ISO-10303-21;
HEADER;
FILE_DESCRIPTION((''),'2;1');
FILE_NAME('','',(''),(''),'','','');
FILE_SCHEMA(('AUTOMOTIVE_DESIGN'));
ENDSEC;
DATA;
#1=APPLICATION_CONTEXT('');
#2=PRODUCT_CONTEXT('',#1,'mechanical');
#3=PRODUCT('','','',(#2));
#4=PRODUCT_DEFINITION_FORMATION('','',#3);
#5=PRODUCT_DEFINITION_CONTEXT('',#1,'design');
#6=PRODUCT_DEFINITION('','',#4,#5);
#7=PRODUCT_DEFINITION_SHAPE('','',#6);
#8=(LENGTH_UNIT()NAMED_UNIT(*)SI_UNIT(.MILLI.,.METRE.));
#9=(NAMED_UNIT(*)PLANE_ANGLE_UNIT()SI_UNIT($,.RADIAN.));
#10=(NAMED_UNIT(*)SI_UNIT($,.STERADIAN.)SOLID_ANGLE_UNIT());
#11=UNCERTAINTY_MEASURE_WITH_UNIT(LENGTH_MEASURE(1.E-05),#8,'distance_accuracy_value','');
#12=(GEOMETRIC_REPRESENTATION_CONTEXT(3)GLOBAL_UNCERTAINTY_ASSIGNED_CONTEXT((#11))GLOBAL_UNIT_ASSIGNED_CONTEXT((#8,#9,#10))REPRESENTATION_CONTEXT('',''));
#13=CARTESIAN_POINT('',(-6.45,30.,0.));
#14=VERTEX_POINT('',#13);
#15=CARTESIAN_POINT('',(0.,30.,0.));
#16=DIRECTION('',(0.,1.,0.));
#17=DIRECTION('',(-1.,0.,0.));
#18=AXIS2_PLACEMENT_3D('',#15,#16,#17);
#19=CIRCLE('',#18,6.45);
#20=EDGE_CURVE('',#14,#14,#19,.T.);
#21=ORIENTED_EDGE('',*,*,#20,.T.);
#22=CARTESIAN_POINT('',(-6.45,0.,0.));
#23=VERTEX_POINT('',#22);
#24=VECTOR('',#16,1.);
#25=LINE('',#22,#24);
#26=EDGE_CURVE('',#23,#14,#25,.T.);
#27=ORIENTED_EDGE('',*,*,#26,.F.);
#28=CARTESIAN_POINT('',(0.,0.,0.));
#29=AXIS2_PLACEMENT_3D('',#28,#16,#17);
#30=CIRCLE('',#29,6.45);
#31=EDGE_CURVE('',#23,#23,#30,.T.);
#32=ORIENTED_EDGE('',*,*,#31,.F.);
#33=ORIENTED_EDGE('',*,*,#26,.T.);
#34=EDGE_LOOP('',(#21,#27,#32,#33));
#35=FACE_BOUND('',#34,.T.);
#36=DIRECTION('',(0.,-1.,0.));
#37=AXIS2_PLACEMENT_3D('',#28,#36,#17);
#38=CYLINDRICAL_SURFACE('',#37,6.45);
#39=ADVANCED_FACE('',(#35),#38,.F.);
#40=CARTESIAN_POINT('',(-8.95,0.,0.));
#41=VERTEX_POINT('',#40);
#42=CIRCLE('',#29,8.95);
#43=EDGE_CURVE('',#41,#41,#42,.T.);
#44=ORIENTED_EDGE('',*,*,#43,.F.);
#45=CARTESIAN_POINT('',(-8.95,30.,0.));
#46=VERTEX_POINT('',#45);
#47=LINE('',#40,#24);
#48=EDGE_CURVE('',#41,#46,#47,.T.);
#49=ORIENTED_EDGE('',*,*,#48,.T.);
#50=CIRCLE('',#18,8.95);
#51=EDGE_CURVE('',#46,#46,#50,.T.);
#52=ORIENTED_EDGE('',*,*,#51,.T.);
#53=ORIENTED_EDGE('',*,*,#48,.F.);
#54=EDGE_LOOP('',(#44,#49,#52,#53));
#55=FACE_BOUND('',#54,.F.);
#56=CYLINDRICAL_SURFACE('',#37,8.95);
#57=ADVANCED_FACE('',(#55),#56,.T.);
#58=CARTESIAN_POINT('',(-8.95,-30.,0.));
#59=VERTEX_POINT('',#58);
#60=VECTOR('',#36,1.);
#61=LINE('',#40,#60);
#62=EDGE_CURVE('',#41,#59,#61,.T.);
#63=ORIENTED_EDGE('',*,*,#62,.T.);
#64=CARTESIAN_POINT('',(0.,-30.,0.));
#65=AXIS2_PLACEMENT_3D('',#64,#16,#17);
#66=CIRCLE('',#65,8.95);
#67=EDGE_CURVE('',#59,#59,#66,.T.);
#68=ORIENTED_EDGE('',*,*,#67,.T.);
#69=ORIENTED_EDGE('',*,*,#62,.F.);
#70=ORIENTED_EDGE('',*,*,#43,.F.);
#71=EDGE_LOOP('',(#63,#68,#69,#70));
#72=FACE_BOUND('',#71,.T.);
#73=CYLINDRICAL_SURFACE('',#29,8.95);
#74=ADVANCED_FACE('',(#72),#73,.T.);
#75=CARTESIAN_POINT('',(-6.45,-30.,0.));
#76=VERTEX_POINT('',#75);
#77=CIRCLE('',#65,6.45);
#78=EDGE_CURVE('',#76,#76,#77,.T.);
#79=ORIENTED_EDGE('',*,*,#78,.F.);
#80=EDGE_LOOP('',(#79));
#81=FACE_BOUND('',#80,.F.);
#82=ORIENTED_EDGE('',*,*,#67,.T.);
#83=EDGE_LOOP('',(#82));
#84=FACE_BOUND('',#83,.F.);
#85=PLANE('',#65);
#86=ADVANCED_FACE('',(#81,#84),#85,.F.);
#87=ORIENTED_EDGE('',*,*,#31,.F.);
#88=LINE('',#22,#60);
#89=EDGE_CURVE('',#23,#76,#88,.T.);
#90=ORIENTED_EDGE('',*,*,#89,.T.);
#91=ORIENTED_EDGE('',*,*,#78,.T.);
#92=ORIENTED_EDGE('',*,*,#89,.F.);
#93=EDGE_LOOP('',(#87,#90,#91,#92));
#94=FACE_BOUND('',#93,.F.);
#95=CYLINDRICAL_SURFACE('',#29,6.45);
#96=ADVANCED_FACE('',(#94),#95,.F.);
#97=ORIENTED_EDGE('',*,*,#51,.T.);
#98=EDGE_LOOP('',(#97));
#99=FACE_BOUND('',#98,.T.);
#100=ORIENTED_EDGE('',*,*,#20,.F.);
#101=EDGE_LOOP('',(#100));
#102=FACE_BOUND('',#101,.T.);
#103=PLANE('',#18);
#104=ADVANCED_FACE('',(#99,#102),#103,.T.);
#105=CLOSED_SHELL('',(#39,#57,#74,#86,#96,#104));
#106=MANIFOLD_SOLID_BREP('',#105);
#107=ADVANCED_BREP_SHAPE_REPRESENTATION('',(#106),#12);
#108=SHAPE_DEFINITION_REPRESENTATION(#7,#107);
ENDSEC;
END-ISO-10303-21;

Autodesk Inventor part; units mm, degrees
ref_plane "YZ Plane" through (0, 0, 0) normal (1, 0, 0) x (0, 1, 0)
ref_plane "XZ Plane" through (0, 0, 0) normal (0, 1, 0) x (-1, 0, 0)
ref_plane "XY Plane" through (0, 0, 0) normal (0, 0, 1) x (1, 0, 0)
sketch "Sketch1" plane through (0, 0, 0) normal (0, 1, 0) x (-1, 0, 0)
  circle A0 centre (0, 0) radius 6.45
  circle A1 centre (0, 0) radius 8.95
  dimension "d0" = 12.9
  dimension "d1" = 17.9
extrude "Extrusion1" add sketch "Sketch1" along normal mid plane 60
